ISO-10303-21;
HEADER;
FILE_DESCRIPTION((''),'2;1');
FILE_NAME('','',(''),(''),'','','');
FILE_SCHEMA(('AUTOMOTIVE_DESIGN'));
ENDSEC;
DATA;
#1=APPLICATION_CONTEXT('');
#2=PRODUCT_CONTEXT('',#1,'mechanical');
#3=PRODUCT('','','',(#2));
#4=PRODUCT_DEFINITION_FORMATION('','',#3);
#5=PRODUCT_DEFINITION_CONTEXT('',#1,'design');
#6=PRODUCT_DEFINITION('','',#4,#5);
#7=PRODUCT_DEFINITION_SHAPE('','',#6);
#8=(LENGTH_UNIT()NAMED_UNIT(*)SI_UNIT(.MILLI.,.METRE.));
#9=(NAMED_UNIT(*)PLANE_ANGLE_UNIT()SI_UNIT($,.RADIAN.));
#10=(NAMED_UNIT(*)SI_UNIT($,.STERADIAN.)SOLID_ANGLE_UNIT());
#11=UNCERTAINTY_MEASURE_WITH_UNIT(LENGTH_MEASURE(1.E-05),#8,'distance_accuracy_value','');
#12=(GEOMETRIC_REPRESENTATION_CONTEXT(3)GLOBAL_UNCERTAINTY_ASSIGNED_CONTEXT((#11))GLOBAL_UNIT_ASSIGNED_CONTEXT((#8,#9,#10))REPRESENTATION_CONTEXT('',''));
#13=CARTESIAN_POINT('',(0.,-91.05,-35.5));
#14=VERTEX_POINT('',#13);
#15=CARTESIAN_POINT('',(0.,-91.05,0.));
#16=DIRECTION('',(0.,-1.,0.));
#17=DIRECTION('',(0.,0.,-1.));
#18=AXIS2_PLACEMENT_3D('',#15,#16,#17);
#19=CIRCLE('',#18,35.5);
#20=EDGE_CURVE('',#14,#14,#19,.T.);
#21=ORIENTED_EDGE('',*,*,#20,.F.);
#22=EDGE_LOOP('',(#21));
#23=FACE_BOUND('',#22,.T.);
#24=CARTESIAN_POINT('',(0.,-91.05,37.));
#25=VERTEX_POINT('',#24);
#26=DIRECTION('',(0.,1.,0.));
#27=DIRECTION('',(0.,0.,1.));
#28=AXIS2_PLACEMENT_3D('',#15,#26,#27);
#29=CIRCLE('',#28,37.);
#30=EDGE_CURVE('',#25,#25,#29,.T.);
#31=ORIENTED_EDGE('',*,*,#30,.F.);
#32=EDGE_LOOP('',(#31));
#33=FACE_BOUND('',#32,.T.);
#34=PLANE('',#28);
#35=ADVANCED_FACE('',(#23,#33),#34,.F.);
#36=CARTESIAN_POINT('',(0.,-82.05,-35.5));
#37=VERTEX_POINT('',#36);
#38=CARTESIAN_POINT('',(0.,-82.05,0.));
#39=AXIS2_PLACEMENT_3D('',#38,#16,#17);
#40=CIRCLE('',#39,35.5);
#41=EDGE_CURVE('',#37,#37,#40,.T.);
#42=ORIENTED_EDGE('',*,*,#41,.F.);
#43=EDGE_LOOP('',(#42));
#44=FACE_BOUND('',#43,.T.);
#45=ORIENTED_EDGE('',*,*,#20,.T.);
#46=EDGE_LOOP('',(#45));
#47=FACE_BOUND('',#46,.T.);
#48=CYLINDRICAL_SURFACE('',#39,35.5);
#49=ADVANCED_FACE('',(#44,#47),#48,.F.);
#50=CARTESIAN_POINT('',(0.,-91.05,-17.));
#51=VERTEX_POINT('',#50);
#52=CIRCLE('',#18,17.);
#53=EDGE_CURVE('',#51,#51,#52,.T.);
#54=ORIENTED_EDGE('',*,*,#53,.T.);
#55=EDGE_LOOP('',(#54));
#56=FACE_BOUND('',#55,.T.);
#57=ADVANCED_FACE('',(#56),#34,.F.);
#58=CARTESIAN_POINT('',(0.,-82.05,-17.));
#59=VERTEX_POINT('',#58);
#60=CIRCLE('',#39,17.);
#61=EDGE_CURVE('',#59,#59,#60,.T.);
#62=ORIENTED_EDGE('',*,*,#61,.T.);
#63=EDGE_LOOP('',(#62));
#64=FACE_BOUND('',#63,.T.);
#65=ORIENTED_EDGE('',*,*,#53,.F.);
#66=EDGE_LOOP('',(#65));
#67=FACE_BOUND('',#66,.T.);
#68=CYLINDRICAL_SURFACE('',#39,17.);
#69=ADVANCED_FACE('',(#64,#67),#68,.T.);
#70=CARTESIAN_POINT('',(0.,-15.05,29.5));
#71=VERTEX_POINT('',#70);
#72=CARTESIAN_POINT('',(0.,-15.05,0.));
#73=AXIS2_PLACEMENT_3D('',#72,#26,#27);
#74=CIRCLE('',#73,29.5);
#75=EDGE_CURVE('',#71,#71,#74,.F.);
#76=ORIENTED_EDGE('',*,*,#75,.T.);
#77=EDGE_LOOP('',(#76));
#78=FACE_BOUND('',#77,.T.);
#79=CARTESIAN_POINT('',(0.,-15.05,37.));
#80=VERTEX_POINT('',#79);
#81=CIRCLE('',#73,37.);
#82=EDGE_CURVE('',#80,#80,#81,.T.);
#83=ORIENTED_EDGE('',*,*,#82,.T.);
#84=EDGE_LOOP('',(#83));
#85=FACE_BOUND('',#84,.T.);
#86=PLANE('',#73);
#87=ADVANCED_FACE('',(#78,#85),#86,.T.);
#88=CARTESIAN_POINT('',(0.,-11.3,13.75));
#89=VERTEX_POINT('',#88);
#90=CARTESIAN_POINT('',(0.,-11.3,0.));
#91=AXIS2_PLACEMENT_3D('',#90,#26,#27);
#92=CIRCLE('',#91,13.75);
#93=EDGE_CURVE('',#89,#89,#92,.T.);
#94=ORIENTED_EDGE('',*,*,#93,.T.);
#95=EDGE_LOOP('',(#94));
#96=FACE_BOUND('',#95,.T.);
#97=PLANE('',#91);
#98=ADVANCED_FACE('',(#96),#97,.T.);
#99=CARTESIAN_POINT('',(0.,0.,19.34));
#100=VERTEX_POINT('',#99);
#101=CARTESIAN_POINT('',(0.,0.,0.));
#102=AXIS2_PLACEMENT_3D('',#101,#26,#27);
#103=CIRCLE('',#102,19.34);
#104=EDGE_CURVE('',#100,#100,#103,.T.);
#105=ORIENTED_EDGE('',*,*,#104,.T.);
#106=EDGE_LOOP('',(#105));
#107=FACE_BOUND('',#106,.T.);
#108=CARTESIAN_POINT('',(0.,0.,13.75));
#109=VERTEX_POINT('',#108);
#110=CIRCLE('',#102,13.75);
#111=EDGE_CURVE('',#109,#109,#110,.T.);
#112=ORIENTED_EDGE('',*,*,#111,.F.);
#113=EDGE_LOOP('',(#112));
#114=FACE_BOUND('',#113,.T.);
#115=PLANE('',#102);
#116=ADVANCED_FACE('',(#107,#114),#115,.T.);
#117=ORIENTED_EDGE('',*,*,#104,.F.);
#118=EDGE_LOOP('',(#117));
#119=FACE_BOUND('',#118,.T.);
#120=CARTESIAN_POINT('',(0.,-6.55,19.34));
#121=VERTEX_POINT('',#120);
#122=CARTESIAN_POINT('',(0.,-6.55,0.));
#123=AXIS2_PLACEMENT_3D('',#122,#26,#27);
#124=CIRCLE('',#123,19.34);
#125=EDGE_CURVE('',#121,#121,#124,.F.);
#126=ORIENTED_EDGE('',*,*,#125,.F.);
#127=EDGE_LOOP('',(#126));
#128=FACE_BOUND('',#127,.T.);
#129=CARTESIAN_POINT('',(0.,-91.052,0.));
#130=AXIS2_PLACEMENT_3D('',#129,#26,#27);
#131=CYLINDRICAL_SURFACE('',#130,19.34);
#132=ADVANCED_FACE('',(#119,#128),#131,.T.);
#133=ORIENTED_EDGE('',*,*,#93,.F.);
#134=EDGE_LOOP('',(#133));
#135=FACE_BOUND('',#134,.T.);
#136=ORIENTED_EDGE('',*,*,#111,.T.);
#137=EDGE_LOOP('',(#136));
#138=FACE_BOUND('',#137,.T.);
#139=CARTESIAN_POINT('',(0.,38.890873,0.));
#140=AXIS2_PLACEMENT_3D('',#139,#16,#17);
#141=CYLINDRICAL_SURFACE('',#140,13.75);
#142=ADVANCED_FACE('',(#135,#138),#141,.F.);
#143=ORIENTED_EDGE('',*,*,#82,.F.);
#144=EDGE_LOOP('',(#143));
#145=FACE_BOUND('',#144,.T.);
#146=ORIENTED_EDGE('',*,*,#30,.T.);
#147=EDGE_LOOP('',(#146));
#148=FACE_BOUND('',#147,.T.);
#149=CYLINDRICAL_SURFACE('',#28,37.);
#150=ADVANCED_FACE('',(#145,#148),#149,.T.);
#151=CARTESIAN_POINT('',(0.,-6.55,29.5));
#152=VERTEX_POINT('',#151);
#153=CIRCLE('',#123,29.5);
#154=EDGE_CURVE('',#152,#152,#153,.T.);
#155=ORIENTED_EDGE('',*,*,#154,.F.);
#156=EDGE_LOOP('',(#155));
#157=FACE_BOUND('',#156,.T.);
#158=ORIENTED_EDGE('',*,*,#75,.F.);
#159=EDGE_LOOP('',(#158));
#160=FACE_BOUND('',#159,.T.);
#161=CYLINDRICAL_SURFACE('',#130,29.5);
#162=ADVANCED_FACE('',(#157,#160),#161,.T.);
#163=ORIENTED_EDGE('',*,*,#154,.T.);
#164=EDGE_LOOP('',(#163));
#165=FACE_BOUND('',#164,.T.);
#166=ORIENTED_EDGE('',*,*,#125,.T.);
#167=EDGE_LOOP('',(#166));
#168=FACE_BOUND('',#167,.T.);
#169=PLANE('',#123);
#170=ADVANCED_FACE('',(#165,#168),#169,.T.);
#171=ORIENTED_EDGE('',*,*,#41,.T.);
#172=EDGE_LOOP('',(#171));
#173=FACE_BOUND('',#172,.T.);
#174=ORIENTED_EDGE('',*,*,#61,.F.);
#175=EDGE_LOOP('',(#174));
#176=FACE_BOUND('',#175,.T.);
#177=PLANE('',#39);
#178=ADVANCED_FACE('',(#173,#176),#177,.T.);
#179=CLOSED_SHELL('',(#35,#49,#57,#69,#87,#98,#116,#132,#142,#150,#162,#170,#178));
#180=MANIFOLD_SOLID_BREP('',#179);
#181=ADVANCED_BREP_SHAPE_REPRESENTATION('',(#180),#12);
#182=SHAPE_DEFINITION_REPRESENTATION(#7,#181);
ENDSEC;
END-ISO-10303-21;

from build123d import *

# Parameters (mm, degrees)
SKETCH_5_R          = 37
EXTRUDE_1_DEPTH     = 76
EXTRUDE_2_REACH     = 101.389
SKETCH_4_R          = 29.5
EXTRUDE_3_REACH     = 107.015
SKETCH_1_R          = 19.34
SKETCH_2_R          = 13.75
CUT_EXTRUDE_1_DEPTH = 11.3
SKETCH_7_R          = 35.5
SKETCH_7_R_2        = 17
CUT_EXTRUDE_2_DEPTH = 9


with BuildPart() as part:
    # Эскиз5 → Бобышка-Вытянуть1 (new body)
    with BuildSketch(Plane(origin=(0, -15.05, 0), x_dir=(1, 0, 0), z_dir=(0, 1, 0))):
        with Locations(Location((0, 0, 0), (0, 0, 270))):
            Circle(SKETCH_5_R)
    extrude(amount=-EXTRUDE_1_DEPTH)

    # Эскиз4 → Бобышка-Вытянуть2 (add, up to next)
    with BuildSketch(Plane(origin=(0, -6.55, 0), x_dir=(1, 0, 0), z_dir=(0, 1, 0)), mode=Mode.PRIVATE) as extrude_2_sk1:
        with Locations(Location((0, 0, 0), (0, 0, 270))):
            Circle(SKETCH_4_R)
    extrude_2_tool1 = extrude(extrude_2_sk1.sketch, amount=-EXTRUDE_2_REACH, mode=Mode.PRIVATE) - part.part
    add(extrude_2_tool1.solids().sort_by_distance((0, -6.55, 0))[0])

    # Эскиз1 → Бобышка-Вытянуть3 (add, up to next)
    with BuildSketch(Plane(origin=(0, 0, 0), x_dir=(1, 0, 0), z_dir=(0, 1, 0)), mode=Mode.PRIVATE) as extrude_3_sk1:
        with Locations(Location((0, 0, 0), (0, 0, 270))):
            Circle(SKETCH_1_R)
    extrude_3_tool1 = extrude(extrude_3_sk1.sketch, amount=-EXTRUDE_3_REACH, mode=Mode.PRIVATE) - part.part
    add(extrude_3_tool1.solids().sort_by_distance((0, 0, 0))[0])

    # Эскиз2 → Вырез-Вытянуть1 (cut)
    with BuildSketch(Plane(origin=(0, -11.3, 0), x_dir=(1, 0, 0), z_dir=(0, 1, 0))):
        with Locations(Location((0, 0, 0), (0, 0, 270))):
            Circle(SKETCH_2_R)
    extrude(amount=CUT_EXTRUDE_1_DEPTH, mode=Mode.SUBTRACT)

    # Эскиз7 → Вырез-Вытянуть2 (cut)
    with BuildSketch(Plane.XZ.offset(91.05)):
        with Locations(Location((0, 0, 0), (0, 0, 270))):
            Circle(SKETCH_7_R)
        with Locations(Location((0, 0, 0), (0, 0, 270))):
            Circle(SKETCH_7_R_2, mode=Mode.SUBTRACT)
    extrude(amount=-CUT_EXTRUDE_2_DEPTH, mode=Mode.SUBTRACT)


solid = part.part
